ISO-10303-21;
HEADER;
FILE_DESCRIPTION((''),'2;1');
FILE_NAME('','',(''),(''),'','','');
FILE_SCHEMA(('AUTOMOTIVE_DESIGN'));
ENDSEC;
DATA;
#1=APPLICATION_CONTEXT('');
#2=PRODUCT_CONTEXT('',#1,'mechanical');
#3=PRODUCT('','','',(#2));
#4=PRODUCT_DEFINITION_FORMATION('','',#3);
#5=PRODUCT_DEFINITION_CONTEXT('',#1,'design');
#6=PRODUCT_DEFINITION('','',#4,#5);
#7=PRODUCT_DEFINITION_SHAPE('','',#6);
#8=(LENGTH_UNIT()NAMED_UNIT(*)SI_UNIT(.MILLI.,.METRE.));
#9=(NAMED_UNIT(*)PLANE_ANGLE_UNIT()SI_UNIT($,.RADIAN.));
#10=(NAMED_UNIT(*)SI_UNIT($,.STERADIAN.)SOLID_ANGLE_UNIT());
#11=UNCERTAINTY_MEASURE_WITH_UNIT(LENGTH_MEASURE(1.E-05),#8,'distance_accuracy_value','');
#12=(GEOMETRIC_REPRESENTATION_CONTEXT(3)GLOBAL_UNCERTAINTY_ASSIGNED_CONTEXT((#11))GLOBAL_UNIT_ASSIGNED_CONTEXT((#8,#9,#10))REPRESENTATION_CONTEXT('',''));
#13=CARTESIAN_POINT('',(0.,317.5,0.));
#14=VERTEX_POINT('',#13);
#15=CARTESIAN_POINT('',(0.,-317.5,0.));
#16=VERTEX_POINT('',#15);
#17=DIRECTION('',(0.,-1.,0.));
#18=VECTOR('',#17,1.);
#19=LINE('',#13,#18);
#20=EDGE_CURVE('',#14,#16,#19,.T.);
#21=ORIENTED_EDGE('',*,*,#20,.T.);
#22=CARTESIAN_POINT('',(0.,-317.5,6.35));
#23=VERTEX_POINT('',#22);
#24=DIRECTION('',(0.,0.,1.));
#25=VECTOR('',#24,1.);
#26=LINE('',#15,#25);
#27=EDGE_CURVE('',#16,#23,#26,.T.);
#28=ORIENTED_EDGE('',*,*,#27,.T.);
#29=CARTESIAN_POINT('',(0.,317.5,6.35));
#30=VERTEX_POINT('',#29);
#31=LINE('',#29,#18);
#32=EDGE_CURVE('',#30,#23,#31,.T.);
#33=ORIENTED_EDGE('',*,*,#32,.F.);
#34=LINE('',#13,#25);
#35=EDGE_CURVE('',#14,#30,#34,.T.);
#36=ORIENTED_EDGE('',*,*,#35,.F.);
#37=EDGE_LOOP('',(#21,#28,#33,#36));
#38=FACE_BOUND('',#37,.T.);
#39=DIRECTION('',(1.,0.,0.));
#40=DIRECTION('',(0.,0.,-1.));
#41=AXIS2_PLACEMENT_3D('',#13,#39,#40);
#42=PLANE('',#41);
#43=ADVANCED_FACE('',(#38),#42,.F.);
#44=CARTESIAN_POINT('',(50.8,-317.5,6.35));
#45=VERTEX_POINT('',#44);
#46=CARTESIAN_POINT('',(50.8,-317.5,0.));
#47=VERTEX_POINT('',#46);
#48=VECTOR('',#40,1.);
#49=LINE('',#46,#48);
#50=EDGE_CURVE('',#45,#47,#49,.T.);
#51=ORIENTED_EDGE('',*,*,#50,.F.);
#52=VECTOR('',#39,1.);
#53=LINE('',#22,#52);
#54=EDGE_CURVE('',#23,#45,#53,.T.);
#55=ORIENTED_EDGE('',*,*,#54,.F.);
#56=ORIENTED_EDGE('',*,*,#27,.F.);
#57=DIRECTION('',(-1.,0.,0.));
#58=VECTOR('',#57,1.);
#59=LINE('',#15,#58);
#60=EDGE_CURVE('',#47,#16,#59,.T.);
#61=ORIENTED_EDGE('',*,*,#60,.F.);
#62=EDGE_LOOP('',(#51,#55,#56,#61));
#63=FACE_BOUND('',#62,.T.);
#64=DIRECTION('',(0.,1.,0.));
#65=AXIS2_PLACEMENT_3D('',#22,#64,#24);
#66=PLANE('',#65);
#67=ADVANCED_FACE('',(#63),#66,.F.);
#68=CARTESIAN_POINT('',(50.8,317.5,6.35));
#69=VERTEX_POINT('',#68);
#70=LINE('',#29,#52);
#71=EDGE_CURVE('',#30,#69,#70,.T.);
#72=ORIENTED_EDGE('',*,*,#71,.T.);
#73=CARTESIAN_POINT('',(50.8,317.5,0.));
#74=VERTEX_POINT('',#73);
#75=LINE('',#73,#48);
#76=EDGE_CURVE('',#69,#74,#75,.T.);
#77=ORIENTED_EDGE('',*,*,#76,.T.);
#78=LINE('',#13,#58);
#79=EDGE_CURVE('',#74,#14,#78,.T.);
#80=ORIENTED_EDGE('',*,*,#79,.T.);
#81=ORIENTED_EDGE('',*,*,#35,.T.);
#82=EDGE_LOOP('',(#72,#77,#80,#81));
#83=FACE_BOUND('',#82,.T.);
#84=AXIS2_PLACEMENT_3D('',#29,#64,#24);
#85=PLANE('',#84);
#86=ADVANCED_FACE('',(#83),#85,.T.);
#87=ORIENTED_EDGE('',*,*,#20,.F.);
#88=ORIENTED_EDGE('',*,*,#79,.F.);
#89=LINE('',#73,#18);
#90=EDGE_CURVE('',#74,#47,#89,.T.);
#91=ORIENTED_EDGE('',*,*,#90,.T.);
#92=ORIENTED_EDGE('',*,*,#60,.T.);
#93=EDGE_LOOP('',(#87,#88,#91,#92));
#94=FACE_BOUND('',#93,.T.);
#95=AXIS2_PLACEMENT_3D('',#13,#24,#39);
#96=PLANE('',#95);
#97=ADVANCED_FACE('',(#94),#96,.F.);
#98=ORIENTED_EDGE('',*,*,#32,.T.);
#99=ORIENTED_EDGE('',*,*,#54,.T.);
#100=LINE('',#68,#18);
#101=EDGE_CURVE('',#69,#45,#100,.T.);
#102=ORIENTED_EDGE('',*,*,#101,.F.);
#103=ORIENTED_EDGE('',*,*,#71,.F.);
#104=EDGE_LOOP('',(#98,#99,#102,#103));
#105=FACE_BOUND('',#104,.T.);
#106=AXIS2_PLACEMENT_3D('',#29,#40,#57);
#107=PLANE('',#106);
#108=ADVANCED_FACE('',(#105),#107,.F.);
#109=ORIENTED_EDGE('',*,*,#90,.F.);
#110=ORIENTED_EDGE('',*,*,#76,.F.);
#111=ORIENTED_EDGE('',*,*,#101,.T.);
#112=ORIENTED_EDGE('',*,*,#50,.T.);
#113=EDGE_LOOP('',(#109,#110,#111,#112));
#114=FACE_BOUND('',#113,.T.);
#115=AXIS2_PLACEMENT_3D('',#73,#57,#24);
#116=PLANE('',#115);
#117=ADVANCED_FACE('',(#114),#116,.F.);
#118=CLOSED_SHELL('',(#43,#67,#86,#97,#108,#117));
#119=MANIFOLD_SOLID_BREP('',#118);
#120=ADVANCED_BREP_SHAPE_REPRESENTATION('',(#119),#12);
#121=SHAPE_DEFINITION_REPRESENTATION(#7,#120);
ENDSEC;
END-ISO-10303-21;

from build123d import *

# Parameters (mm, degrees)
SKETCH1_W           = 50.8
SKETCH1_H           = 6.35
BOSS_EXTRUDE1_DEPTH = 317.5


with BuildPart() as part:
    # Sketch1 → Boss-Extrude1 (new body, symmetric)
    with BuildSketch(Plane(origin=(0, 0, 0), x_dir=(1, 0, 0), z_dir=(0, 1, 0))):
        with Locations((25.4, -3.175)):
            Rectangle(SKETCH1_W, SKETCH1_H)
    extrude(amount=BOSS_EXTRUDE1_DEPTH, both=True)


solid = part.part
